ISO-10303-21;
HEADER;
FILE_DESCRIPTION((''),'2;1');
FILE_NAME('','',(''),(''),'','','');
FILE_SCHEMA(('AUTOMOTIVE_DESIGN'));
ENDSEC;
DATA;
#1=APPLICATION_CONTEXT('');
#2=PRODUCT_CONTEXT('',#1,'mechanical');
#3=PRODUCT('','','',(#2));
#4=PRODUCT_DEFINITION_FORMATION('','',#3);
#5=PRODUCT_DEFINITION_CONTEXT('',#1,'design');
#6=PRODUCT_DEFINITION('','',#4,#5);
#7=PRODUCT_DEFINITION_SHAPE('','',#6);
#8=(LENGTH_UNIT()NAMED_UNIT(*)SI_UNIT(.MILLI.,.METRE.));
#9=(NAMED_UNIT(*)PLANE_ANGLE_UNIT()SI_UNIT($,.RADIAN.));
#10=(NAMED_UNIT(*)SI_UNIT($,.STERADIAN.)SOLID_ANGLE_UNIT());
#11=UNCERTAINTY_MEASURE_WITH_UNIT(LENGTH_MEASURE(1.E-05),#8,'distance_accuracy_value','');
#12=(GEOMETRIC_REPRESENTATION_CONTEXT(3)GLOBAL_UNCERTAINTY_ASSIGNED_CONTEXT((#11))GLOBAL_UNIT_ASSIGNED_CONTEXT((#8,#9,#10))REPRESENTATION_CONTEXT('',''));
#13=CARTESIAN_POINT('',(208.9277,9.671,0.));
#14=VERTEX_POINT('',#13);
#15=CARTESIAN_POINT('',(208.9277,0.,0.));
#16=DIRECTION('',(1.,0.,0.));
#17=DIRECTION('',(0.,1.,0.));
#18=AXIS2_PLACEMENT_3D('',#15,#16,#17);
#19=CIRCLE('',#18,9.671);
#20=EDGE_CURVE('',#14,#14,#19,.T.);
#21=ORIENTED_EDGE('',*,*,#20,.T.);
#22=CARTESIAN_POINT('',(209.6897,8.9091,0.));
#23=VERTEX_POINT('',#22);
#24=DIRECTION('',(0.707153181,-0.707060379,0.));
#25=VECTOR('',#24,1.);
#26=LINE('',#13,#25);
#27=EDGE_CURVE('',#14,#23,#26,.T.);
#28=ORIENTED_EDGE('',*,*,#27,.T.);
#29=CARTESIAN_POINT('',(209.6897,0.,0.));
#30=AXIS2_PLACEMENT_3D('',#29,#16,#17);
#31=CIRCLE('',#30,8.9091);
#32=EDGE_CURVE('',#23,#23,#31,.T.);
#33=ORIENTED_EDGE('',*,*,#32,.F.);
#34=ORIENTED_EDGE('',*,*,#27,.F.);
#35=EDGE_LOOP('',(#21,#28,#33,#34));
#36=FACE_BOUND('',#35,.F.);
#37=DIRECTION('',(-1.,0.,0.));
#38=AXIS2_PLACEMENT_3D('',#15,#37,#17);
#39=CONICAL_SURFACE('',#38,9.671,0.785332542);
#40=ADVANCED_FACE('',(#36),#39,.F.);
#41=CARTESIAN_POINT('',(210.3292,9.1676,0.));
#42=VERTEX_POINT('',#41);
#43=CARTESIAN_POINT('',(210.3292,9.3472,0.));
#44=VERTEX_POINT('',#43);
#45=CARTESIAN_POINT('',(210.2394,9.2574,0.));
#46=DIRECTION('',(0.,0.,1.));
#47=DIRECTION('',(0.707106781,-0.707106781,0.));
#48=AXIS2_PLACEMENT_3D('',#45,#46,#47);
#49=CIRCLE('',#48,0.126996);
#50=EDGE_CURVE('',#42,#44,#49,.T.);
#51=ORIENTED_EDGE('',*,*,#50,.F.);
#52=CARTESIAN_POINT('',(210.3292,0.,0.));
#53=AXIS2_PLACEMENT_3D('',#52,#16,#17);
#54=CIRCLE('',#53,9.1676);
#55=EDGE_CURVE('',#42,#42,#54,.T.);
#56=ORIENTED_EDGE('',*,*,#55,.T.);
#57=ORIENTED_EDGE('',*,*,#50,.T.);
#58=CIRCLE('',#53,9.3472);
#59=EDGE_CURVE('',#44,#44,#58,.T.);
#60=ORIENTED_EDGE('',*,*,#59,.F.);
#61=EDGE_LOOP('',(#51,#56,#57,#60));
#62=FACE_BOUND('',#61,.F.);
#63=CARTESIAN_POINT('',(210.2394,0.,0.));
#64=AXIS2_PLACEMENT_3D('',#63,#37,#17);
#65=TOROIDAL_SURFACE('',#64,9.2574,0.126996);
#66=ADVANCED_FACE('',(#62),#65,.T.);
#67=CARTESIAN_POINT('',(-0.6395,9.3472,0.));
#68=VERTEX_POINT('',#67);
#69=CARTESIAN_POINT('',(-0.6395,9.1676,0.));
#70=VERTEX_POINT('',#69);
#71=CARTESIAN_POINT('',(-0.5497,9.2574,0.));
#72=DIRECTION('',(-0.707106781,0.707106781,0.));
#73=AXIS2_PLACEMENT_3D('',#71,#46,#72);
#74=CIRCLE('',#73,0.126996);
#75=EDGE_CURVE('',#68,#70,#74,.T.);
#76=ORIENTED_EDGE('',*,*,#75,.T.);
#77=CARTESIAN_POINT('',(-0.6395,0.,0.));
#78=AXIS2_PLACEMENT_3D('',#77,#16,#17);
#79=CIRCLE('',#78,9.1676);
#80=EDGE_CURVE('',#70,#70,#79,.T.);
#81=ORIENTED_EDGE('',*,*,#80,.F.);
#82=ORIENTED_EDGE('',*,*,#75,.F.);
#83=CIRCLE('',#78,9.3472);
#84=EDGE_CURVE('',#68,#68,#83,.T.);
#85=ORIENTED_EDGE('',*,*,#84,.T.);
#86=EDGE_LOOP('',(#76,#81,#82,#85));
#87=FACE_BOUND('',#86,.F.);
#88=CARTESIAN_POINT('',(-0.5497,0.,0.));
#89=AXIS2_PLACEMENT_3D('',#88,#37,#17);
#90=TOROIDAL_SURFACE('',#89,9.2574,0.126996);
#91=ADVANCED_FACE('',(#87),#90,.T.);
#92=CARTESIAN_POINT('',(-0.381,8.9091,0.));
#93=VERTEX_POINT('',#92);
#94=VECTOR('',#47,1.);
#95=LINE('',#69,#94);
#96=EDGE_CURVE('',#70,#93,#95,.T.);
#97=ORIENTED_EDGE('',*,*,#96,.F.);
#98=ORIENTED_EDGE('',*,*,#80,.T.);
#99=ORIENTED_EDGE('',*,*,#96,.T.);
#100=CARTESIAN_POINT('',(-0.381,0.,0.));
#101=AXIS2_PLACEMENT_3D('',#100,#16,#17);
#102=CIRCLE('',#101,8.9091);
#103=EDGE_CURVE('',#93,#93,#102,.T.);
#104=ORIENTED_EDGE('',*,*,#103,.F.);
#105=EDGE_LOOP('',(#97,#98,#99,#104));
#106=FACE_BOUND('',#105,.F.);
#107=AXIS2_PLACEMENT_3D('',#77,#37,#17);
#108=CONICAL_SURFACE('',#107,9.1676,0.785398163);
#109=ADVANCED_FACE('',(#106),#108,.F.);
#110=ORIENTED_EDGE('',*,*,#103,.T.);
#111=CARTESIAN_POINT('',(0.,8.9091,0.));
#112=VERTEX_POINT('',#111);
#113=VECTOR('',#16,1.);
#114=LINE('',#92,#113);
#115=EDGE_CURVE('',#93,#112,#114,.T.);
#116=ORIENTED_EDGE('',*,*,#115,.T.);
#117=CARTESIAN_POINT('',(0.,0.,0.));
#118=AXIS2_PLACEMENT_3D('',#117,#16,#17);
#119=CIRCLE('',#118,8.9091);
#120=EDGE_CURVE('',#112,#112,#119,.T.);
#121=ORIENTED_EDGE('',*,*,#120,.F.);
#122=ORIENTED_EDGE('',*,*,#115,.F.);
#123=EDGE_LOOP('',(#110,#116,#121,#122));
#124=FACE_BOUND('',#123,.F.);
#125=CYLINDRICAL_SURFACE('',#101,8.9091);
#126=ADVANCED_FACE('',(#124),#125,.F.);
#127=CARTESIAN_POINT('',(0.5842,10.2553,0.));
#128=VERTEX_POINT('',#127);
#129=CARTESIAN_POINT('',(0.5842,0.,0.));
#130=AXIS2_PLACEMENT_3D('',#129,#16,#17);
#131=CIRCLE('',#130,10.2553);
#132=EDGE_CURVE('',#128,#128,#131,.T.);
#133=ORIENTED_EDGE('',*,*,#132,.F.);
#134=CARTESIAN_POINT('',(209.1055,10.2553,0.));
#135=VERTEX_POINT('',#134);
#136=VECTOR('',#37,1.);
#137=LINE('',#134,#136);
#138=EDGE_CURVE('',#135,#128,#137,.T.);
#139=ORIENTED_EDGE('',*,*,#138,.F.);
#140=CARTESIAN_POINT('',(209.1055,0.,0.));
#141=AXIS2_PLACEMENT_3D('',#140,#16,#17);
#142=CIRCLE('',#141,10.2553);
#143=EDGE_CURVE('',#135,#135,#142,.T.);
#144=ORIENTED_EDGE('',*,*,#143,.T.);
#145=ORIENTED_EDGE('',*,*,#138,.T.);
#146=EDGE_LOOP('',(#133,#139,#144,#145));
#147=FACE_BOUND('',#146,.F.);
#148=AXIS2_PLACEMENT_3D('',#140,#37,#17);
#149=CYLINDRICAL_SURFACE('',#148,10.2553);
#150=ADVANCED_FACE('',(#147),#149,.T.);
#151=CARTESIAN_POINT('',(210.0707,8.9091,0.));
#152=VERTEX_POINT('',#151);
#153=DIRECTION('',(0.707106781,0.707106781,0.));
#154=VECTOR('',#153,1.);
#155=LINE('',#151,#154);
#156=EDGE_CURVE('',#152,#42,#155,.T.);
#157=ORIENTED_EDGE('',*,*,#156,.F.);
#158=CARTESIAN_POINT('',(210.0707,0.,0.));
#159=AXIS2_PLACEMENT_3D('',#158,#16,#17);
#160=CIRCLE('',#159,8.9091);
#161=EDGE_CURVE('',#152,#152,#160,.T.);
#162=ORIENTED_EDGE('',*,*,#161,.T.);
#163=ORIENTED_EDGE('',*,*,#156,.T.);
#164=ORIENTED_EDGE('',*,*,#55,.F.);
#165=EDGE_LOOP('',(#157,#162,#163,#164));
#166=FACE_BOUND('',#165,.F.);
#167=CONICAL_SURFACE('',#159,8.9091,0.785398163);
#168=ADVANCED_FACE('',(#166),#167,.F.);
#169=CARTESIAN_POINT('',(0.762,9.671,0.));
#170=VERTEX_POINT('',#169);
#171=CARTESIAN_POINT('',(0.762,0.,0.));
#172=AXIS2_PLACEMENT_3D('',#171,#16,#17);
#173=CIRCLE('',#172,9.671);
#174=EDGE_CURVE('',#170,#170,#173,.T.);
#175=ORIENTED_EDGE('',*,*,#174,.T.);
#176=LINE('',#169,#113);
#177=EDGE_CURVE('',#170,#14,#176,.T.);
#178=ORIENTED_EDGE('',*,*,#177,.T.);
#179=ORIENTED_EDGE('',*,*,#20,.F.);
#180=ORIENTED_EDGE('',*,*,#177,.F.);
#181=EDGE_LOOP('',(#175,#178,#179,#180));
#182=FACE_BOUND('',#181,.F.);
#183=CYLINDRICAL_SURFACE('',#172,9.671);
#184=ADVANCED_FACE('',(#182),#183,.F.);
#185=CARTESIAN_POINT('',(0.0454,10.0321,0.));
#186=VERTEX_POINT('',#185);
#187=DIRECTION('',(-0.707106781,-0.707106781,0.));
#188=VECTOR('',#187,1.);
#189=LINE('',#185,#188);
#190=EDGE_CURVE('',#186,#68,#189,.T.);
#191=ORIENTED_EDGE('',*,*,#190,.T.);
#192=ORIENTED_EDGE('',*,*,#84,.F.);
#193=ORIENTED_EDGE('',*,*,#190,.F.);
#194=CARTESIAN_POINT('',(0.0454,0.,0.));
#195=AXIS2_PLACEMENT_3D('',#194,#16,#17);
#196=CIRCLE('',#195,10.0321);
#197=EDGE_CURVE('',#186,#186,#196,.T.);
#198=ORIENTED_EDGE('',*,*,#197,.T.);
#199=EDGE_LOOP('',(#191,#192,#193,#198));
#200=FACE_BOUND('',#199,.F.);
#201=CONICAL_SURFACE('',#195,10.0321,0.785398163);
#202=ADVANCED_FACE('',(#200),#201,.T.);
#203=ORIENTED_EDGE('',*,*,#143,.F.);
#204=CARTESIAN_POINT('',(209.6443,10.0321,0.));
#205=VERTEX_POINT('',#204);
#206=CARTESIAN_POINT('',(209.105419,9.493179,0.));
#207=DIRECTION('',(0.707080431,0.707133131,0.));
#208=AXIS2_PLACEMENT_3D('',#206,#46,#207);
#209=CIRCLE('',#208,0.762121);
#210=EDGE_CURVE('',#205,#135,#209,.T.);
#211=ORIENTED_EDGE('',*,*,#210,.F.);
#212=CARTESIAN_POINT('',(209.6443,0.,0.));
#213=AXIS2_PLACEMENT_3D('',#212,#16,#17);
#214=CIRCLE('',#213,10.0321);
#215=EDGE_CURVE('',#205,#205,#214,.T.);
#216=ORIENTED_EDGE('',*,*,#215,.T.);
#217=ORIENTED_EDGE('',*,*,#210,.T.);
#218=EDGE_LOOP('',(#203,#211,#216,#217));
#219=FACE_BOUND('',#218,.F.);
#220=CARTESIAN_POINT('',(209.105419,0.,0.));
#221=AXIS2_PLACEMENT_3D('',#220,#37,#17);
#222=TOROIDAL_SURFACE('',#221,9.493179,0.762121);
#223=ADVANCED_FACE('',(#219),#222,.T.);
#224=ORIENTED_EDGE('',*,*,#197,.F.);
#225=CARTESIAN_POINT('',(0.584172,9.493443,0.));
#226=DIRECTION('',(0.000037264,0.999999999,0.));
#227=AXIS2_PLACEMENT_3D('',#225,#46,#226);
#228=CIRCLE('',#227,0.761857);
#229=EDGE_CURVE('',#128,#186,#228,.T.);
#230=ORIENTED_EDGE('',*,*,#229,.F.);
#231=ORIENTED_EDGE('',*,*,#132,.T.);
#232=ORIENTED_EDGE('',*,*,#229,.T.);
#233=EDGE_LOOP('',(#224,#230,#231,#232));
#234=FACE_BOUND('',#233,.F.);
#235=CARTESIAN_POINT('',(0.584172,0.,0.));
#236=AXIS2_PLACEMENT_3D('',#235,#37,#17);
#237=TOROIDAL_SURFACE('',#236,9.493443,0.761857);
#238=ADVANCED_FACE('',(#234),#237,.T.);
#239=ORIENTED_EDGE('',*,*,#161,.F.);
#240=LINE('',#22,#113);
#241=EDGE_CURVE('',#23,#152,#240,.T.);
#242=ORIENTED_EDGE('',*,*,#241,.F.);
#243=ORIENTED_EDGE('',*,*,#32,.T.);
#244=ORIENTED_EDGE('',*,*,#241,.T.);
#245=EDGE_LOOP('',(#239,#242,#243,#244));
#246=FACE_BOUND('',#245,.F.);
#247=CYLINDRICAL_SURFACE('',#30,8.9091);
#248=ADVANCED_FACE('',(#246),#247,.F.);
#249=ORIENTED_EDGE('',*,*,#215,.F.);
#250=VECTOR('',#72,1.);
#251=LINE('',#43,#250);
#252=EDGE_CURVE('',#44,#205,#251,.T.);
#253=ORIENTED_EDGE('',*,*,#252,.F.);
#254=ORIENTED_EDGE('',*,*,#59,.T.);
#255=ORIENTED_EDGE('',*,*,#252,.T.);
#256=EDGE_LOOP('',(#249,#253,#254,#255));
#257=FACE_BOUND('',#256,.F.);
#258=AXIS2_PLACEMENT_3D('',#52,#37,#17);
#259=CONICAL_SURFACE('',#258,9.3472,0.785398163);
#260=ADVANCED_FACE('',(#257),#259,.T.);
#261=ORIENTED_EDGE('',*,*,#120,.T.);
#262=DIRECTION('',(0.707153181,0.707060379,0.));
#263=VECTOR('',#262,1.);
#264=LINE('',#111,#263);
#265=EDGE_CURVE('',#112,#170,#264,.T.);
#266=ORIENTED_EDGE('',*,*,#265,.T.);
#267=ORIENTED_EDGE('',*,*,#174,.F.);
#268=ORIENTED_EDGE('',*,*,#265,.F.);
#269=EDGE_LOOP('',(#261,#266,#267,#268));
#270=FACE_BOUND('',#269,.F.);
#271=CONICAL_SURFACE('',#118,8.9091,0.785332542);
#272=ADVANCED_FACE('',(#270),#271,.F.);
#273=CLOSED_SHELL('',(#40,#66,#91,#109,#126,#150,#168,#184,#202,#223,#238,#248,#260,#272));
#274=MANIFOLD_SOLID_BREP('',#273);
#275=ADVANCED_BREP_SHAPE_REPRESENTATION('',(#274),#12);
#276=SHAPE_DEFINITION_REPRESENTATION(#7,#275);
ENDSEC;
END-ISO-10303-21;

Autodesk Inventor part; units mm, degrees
sketch "Sketch_1" plane through (0, 0, 0) normal (0, 0, 1) x (1, 0, 0)
  line L0 (209.6897, 0) -> (0, 0)
  arc A0 (-0.6395, 9.3472) -> (-0.6395, 9.1676) centre (-0.5497, 9.2574) ccw
  line L1 (-0.6395, 9.1676) -> (-0.381, 8.9091)
  line L2 (-0.381, 8.9091) -> (0, 8.9091)
  line L3 (0, 8.9091) -> (0.762, 9.671)
  line L4 (0.762, 9.671) -> (208.9277, 9.671)
  line L5 (208.9277, 9.671) -> (209.6897, 8.9091)
  line L6 (209.6897, 8.9091) -> (210.0707, 8.9091)
  line L7 (210.0707, 8.9091) -> (210.3292, 9.1676)
  arc A1 (210.3292, 9.1676) -> (210.3292, 9.3472) centre (210.2394, 9.2574) ccw
  line L8 (210.3292, 9.3472) -> (209.6443, 10.0321)
  arc A2 (209.6443, 10.0321) -> (209.1055, 10.2553) centre (209.1055, 9.4933) ccw
  line L9 (209.1055, 10.2553) -> (0.5842, 10.2553)
  arc A3 (0.5842, 10.2553) -> (0.0454, 10.0321) centre (0.5842, 9.4933) ccw
  line L10 (0.0454, 10.0321) -> (-0.6395, 9.3472)
revolve "Revolution1" add sketch "Sketch_1" angle 360 about axis through (209.6897, 0, 0) along (1, 0, 0)
ref_plane "tube_front_XY" through (0, 0, 0) normal (1, 0, 0) x (0, 0, -1)
ref_plane "tube_front_YZ" through (0, 0, 0) normal (0, 0, -1) x (0, 1, 0)
ref_plane "tube_front_ZX" through (0, 0, 0) normal (0, 1, 0) x (1, 0, 0)
ref_plane "tube_rear_XY" through (209.6897, 0, 0) normal (1, 0, 0) x (0, 0, -1)
ref_plane "tube_rear_YZ" through (209.6897, 0, 0) normal (0, 0, -1) x (0, 1, 0)
ref_plane "tube_rear_ZX" through (209.6897, 0, 0) normal (0, 1, 0) x (1, 0, 0)
ref_plane "cp1_XY" through (104.8448, 10.2553, 0) normal (1, 0, 0) x (0, 0, -1)
ref_plane "cp1_YZ" through (104.8448, 10.2553, 0) normal (0, 0, -1) x (0, 1, 0)
ref_plane "cp1_ZX" through (104.8448, 10.2553, 0) normal (0, 1, 0) x (1, 0, 0)
ref_plane "cp2_XY" through (104.8448, 0, -10.2553) normal (1, 0, 0) x (0, 0, -1)
ref_plane "cp2_YZ" through (104.8448, 0, -10.2553) normal (0, 0, -1) x (0, 1, 0)
ref_plane "cp2_ZX" through (104.8448, 0, -10.2553) normal (0, 1, 0) x (1, 0, 0)
ref_plane "cp3_XY" through (104.8448, -10.2553, 0) normal (1, 0, 0) x (0, 0, -1)
ref_plane "cp3_YZ" through (104.8448, -10.2553, 0) normal (0, 0, -1) x (0, 1, 0)
ref_plane "cp3_ZX" through (104.8448, -10.2553, 0) normal (0, 1, 0) x (1, 0, 0)
ref_plane "cp4_XY" through (104.8448, 0, 10.2553) normal (1, 0, 0) x (0, 0, -1)
ref_plane "cp4_YZ" through (104.8448, 0, 10.2553) normal (0, 0, -1) x (0, 1, 0)
ref_plane "cp4_ZX" through (104.8448, 0, 10.2553) normal (0, 1, 0) x (1, 0, 0)
properties part number "04R-8.25550" material "Stainless Steel"
